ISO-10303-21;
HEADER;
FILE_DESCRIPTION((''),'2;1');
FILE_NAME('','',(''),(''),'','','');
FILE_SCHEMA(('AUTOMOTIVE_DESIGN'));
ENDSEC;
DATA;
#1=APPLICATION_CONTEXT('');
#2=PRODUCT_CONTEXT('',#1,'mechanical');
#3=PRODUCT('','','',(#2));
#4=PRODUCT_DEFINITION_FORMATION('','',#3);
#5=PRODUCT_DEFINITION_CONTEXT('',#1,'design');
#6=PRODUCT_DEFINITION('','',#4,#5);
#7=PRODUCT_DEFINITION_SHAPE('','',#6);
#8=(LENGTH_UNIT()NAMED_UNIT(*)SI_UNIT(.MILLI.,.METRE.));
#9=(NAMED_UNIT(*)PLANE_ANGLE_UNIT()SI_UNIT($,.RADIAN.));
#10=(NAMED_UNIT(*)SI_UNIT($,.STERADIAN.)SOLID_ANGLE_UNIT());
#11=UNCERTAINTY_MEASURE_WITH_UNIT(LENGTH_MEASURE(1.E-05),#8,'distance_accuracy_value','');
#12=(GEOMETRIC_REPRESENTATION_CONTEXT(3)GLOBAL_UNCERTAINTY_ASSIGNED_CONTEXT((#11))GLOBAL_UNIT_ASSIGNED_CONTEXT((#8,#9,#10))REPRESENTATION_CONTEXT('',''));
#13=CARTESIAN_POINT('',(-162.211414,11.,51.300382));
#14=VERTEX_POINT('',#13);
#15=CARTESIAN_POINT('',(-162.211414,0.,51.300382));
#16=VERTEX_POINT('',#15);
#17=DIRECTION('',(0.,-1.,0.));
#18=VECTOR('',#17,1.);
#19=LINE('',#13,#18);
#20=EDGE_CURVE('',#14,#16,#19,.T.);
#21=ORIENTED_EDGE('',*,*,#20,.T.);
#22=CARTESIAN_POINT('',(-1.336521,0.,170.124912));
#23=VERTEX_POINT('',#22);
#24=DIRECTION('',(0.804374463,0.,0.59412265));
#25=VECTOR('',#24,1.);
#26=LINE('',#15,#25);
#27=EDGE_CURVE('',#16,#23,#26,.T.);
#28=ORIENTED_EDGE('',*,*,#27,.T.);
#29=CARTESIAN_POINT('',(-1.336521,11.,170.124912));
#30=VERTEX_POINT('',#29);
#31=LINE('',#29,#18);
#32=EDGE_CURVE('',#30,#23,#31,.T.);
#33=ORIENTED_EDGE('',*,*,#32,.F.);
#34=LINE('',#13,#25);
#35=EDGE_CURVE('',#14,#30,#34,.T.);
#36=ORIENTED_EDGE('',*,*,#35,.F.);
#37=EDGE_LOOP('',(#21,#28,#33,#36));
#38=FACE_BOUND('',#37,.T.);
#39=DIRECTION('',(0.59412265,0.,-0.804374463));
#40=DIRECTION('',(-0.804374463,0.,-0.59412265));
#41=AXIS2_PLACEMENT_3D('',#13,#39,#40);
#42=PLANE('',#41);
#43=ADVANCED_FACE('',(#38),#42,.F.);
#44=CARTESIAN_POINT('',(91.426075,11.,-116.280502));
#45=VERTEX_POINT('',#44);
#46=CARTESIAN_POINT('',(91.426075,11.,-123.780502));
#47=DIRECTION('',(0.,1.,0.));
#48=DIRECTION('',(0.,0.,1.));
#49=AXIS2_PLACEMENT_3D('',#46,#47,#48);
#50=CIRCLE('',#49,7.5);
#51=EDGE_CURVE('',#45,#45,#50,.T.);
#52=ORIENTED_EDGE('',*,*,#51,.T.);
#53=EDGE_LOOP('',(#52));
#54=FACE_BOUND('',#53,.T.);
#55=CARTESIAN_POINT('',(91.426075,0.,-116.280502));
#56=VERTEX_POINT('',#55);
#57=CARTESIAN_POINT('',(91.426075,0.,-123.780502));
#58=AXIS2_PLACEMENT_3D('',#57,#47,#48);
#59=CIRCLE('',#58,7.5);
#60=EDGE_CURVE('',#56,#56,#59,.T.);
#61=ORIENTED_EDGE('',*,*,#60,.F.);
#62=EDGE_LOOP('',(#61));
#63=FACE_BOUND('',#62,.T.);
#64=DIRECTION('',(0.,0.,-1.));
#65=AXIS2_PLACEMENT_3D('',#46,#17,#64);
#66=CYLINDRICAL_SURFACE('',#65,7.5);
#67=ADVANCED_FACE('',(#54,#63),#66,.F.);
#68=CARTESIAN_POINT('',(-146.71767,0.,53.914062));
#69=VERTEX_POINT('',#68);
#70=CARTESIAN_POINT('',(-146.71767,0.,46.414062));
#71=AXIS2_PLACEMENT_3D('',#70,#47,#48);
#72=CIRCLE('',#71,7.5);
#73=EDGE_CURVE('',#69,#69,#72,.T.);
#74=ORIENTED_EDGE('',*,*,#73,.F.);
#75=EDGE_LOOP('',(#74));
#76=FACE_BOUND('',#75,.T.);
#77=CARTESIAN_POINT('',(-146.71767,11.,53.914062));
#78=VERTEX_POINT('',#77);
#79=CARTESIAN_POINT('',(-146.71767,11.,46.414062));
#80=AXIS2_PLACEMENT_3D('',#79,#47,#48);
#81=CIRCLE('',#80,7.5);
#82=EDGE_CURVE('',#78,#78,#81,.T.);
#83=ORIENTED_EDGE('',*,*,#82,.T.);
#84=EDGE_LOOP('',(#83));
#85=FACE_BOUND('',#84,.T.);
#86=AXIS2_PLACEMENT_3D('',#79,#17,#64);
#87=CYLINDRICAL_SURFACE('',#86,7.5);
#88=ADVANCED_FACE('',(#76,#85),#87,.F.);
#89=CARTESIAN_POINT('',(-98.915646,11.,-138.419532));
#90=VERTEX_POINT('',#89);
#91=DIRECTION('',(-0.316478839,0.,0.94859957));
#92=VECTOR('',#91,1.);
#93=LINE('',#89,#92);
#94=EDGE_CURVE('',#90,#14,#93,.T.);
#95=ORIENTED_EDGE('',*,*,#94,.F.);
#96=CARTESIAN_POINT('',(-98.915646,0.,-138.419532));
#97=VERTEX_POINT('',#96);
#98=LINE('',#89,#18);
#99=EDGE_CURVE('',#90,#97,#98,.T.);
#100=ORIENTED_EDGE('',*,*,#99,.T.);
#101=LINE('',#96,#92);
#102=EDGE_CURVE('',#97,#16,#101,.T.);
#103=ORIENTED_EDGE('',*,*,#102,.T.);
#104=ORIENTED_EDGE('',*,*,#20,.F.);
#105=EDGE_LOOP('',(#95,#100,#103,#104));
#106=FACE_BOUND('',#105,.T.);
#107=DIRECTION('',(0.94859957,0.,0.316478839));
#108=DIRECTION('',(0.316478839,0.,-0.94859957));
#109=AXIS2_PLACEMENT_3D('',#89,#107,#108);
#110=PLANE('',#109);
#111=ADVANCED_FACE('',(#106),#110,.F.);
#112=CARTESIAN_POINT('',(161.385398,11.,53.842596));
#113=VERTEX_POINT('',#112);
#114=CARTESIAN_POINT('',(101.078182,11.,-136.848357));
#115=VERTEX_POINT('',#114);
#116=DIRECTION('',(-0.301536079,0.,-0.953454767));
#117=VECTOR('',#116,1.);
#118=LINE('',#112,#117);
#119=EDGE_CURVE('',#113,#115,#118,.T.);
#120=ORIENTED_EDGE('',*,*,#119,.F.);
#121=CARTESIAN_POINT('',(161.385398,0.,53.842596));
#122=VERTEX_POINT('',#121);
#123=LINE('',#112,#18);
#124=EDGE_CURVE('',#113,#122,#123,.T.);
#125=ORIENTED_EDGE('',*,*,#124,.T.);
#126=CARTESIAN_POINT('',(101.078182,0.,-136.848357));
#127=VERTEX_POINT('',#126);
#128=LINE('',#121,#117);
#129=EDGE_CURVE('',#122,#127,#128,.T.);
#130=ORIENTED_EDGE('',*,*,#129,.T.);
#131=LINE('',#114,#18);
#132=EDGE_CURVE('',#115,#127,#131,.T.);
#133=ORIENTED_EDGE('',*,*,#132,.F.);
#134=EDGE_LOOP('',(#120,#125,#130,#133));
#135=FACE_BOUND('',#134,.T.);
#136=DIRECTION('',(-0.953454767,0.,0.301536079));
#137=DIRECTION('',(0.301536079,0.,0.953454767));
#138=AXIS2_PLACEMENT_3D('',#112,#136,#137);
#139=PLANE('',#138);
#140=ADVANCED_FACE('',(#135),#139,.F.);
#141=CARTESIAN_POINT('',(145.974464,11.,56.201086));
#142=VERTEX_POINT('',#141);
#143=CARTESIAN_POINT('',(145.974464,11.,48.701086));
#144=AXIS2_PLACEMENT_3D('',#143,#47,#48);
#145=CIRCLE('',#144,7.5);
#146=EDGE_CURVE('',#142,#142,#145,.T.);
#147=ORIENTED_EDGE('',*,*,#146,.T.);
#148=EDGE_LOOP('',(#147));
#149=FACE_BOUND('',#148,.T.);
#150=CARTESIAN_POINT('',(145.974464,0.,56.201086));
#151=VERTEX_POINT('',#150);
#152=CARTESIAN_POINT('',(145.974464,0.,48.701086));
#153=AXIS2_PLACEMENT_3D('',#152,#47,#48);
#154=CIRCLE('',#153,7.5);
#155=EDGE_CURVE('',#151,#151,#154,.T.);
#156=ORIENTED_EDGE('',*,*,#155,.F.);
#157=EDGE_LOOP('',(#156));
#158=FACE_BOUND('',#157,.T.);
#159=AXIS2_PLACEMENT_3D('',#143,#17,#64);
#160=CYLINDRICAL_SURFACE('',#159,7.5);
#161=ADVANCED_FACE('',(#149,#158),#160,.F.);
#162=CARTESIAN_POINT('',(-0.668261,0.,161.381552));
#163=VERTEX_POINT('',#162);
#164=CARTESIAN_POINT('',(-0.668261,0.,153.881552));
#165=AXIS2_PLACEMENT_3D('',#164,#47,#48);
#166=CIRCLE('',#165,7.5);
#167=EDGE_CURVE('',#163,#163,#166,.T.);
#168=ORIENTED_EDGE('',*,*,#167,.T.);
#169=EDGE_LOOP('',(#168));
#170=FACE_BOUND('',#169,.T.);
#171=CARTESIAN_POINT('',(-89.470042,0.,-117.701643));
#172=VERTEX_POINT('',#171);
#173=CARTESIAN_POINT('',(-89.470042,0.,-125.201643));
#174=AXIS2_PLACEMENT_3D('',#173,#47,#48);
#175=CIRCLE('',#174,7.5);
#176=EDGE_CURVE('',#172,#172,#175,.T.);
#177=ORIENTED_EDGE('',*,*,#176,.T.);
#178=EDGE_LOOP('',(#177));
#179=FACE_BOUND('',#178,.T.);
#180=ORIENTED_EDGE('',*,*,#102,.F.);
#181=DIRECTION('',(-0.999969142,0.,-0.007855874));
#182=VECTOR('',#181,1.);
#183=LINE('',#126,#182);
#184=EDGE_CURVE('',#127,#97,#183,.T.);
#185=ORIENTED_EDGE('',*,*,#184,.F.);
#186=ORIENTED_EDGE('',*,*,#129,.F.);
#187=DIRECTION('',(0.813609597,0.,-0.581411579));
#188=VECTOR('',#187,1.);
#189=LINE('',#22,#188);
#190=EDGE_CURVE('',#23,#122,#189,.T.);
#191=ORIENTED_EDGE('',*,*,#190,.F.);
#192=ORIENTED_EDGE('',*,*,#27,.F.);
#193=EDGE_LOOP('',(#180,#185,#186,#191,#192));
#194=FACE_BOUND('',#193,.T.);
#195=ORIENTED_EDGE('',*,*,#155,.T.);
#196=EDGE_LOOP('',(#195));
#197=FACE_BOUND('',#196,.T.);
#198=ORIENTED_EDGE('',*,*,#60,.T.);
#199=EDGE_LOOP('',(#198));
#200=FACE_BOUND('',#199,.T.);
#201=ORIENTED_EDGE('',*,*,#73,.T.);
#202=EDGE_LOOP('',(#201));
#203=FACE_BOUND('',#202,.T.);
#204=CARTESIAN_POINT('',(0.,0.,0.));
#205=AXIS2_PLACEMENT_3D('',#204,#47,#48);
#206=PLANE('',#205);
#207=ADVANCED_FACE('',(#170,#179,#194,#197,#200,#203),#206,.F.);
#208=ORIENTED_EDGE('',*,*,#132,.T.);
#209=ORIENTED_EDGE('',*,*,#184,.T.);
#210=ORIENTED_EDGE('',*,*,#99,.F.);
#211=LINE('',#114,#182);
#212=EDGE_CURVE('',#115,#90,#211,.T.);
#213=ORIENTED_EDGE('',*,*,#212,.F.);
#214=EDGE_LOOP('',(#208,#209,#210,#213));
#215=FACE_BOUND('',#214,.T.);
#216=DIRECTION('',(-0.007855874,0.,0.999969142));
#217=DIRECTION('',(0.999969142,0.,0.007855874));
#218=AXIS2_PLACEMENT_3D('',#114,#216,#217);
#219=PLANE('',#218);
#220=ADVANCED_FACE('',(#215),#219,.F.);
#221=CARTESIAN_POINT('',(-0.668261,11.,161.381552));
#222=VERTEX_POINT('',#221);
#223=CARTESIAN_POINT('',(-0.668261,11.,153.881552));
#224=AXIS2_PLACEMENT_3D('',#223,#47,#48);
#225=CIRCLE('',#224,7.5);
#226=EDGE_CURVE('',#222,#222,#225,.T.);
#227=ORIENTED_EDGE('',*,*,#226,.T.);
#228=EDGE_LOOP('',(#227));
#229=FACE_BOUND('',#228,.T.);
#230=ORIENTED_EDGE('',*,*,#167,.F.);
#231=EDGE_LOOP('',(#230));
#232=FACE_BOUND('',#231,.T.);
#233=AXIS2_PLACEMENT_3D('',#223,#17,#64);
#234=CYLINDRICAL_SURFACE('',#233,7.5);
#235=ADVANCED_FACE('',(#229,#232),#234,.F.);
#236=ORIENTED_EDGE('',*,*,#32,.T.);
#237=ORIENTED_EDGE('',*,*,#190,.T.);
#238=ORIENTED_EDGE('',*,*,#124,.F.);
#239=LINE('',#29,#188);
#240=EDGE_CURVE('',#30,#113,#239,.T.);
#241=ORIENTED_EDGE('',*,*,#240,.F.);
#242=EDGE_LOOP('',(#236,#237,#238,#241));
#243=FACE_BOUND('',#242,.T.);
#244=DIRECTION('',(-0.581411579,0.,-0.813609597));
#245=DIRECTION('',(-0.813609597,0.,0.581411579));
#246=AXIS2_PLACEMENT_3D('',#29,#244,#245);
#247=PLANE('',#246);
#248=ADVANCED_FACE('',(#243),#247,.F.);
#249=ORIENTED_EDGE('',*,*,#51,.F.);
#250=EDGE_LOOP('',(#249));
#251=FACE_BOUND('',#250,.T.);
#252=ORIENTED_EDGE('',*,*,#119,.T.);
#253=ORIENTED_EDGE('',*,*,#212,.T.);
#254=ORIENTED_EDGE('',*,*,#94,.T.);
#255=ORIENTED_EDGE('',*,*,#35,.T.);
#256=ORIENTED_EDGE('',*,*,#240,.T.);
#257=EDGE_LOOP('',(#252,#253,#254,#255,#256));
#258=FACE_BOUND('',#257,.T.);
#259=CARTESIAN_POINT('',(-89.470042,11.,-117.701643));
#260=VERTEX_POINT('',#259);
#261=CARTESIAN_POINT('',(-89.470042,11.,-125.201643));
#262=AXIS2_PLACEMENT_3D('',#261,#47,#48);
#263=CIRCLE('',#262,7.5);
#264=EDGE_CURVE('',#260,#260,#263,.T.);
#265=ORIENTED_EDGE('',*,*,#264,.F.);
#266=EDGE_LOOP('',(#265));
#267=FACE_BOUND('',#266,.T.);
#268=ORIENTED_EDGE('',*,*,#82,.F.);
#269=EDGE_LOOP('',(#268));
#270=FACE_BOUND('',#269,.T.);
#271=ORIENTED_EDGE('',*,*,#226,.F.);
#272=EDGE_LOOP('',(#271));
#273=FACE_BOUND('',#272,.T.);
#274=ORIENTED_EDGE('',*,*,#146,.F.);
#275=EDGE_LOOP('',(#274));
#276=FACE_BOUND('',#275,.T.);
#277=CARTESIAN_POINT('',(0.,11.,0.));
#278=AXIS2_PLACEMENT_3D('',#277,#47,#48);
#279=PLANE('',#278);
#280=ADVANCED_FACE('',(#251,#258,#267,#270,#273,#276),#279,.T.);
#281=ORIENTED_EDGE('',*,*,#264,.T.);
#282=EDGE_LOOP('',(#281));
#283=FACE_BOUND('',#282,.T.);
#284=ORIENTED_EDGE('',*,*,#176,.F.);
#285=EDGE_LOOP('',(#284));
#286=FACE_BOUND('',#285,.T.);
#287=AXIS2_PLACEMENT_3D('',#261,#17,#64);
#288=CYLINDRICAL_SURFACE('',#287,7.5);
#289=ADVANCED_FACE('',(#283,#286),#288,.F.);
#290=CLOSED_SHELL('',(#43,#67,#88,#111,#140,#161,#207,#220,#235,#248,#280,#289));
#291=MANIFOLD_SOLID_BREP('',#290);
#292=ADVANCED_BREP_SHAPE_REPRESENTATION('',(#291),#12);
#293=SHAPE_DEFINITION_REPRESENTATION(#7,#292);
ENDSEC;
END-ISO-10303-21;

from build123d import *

# Parameters (mm, degrees)
SKETCH1_R           = 7.5
BOSS_EXTRUDE4_DEPTH = 11


with BuildPart() as part:
    # Sketch1 → Boss-Extrude4 (new body)
    with BuildSketch(Plane(origin=(0, 0, 0), x_dir=(1, 0, 0), z_dir=(0, 1, 0))):
        Polygon((161.385398237, -53.842596019), (101.078182497, 136.848357437), (-98.915645933, 138.419532219), (-162.211413702, -51.300381819), (-1.336521099, -170.124911819), align=None)
        with Locations((-89.470042251, 125.201643069)):
            Circle(SKETCH1_R, mode=Mode.SUBTRACT)
        with Locations((-146.717669584, -46.414061546)):
            Circle(SKETCH1_R, mode=Mode.SUBTRACT)
        with Locations((-0.668260549, -153.881551933)):
            Circle(SKETCH1_R, mode=Mode.SUBTRACT)
        with Locations((145.974464027, -48.701085609)):
            Circle(SKETCH1_R, mode=Mode.SUBTRACT)
        with Locations((91.426074949, 123.780502128)):
            Circle(SKETCH1_R, mode=Mode.SUBTRACT)
    extrude(amount=BOSS_EXTRUDE4_DEPTH)


solid = part.part
